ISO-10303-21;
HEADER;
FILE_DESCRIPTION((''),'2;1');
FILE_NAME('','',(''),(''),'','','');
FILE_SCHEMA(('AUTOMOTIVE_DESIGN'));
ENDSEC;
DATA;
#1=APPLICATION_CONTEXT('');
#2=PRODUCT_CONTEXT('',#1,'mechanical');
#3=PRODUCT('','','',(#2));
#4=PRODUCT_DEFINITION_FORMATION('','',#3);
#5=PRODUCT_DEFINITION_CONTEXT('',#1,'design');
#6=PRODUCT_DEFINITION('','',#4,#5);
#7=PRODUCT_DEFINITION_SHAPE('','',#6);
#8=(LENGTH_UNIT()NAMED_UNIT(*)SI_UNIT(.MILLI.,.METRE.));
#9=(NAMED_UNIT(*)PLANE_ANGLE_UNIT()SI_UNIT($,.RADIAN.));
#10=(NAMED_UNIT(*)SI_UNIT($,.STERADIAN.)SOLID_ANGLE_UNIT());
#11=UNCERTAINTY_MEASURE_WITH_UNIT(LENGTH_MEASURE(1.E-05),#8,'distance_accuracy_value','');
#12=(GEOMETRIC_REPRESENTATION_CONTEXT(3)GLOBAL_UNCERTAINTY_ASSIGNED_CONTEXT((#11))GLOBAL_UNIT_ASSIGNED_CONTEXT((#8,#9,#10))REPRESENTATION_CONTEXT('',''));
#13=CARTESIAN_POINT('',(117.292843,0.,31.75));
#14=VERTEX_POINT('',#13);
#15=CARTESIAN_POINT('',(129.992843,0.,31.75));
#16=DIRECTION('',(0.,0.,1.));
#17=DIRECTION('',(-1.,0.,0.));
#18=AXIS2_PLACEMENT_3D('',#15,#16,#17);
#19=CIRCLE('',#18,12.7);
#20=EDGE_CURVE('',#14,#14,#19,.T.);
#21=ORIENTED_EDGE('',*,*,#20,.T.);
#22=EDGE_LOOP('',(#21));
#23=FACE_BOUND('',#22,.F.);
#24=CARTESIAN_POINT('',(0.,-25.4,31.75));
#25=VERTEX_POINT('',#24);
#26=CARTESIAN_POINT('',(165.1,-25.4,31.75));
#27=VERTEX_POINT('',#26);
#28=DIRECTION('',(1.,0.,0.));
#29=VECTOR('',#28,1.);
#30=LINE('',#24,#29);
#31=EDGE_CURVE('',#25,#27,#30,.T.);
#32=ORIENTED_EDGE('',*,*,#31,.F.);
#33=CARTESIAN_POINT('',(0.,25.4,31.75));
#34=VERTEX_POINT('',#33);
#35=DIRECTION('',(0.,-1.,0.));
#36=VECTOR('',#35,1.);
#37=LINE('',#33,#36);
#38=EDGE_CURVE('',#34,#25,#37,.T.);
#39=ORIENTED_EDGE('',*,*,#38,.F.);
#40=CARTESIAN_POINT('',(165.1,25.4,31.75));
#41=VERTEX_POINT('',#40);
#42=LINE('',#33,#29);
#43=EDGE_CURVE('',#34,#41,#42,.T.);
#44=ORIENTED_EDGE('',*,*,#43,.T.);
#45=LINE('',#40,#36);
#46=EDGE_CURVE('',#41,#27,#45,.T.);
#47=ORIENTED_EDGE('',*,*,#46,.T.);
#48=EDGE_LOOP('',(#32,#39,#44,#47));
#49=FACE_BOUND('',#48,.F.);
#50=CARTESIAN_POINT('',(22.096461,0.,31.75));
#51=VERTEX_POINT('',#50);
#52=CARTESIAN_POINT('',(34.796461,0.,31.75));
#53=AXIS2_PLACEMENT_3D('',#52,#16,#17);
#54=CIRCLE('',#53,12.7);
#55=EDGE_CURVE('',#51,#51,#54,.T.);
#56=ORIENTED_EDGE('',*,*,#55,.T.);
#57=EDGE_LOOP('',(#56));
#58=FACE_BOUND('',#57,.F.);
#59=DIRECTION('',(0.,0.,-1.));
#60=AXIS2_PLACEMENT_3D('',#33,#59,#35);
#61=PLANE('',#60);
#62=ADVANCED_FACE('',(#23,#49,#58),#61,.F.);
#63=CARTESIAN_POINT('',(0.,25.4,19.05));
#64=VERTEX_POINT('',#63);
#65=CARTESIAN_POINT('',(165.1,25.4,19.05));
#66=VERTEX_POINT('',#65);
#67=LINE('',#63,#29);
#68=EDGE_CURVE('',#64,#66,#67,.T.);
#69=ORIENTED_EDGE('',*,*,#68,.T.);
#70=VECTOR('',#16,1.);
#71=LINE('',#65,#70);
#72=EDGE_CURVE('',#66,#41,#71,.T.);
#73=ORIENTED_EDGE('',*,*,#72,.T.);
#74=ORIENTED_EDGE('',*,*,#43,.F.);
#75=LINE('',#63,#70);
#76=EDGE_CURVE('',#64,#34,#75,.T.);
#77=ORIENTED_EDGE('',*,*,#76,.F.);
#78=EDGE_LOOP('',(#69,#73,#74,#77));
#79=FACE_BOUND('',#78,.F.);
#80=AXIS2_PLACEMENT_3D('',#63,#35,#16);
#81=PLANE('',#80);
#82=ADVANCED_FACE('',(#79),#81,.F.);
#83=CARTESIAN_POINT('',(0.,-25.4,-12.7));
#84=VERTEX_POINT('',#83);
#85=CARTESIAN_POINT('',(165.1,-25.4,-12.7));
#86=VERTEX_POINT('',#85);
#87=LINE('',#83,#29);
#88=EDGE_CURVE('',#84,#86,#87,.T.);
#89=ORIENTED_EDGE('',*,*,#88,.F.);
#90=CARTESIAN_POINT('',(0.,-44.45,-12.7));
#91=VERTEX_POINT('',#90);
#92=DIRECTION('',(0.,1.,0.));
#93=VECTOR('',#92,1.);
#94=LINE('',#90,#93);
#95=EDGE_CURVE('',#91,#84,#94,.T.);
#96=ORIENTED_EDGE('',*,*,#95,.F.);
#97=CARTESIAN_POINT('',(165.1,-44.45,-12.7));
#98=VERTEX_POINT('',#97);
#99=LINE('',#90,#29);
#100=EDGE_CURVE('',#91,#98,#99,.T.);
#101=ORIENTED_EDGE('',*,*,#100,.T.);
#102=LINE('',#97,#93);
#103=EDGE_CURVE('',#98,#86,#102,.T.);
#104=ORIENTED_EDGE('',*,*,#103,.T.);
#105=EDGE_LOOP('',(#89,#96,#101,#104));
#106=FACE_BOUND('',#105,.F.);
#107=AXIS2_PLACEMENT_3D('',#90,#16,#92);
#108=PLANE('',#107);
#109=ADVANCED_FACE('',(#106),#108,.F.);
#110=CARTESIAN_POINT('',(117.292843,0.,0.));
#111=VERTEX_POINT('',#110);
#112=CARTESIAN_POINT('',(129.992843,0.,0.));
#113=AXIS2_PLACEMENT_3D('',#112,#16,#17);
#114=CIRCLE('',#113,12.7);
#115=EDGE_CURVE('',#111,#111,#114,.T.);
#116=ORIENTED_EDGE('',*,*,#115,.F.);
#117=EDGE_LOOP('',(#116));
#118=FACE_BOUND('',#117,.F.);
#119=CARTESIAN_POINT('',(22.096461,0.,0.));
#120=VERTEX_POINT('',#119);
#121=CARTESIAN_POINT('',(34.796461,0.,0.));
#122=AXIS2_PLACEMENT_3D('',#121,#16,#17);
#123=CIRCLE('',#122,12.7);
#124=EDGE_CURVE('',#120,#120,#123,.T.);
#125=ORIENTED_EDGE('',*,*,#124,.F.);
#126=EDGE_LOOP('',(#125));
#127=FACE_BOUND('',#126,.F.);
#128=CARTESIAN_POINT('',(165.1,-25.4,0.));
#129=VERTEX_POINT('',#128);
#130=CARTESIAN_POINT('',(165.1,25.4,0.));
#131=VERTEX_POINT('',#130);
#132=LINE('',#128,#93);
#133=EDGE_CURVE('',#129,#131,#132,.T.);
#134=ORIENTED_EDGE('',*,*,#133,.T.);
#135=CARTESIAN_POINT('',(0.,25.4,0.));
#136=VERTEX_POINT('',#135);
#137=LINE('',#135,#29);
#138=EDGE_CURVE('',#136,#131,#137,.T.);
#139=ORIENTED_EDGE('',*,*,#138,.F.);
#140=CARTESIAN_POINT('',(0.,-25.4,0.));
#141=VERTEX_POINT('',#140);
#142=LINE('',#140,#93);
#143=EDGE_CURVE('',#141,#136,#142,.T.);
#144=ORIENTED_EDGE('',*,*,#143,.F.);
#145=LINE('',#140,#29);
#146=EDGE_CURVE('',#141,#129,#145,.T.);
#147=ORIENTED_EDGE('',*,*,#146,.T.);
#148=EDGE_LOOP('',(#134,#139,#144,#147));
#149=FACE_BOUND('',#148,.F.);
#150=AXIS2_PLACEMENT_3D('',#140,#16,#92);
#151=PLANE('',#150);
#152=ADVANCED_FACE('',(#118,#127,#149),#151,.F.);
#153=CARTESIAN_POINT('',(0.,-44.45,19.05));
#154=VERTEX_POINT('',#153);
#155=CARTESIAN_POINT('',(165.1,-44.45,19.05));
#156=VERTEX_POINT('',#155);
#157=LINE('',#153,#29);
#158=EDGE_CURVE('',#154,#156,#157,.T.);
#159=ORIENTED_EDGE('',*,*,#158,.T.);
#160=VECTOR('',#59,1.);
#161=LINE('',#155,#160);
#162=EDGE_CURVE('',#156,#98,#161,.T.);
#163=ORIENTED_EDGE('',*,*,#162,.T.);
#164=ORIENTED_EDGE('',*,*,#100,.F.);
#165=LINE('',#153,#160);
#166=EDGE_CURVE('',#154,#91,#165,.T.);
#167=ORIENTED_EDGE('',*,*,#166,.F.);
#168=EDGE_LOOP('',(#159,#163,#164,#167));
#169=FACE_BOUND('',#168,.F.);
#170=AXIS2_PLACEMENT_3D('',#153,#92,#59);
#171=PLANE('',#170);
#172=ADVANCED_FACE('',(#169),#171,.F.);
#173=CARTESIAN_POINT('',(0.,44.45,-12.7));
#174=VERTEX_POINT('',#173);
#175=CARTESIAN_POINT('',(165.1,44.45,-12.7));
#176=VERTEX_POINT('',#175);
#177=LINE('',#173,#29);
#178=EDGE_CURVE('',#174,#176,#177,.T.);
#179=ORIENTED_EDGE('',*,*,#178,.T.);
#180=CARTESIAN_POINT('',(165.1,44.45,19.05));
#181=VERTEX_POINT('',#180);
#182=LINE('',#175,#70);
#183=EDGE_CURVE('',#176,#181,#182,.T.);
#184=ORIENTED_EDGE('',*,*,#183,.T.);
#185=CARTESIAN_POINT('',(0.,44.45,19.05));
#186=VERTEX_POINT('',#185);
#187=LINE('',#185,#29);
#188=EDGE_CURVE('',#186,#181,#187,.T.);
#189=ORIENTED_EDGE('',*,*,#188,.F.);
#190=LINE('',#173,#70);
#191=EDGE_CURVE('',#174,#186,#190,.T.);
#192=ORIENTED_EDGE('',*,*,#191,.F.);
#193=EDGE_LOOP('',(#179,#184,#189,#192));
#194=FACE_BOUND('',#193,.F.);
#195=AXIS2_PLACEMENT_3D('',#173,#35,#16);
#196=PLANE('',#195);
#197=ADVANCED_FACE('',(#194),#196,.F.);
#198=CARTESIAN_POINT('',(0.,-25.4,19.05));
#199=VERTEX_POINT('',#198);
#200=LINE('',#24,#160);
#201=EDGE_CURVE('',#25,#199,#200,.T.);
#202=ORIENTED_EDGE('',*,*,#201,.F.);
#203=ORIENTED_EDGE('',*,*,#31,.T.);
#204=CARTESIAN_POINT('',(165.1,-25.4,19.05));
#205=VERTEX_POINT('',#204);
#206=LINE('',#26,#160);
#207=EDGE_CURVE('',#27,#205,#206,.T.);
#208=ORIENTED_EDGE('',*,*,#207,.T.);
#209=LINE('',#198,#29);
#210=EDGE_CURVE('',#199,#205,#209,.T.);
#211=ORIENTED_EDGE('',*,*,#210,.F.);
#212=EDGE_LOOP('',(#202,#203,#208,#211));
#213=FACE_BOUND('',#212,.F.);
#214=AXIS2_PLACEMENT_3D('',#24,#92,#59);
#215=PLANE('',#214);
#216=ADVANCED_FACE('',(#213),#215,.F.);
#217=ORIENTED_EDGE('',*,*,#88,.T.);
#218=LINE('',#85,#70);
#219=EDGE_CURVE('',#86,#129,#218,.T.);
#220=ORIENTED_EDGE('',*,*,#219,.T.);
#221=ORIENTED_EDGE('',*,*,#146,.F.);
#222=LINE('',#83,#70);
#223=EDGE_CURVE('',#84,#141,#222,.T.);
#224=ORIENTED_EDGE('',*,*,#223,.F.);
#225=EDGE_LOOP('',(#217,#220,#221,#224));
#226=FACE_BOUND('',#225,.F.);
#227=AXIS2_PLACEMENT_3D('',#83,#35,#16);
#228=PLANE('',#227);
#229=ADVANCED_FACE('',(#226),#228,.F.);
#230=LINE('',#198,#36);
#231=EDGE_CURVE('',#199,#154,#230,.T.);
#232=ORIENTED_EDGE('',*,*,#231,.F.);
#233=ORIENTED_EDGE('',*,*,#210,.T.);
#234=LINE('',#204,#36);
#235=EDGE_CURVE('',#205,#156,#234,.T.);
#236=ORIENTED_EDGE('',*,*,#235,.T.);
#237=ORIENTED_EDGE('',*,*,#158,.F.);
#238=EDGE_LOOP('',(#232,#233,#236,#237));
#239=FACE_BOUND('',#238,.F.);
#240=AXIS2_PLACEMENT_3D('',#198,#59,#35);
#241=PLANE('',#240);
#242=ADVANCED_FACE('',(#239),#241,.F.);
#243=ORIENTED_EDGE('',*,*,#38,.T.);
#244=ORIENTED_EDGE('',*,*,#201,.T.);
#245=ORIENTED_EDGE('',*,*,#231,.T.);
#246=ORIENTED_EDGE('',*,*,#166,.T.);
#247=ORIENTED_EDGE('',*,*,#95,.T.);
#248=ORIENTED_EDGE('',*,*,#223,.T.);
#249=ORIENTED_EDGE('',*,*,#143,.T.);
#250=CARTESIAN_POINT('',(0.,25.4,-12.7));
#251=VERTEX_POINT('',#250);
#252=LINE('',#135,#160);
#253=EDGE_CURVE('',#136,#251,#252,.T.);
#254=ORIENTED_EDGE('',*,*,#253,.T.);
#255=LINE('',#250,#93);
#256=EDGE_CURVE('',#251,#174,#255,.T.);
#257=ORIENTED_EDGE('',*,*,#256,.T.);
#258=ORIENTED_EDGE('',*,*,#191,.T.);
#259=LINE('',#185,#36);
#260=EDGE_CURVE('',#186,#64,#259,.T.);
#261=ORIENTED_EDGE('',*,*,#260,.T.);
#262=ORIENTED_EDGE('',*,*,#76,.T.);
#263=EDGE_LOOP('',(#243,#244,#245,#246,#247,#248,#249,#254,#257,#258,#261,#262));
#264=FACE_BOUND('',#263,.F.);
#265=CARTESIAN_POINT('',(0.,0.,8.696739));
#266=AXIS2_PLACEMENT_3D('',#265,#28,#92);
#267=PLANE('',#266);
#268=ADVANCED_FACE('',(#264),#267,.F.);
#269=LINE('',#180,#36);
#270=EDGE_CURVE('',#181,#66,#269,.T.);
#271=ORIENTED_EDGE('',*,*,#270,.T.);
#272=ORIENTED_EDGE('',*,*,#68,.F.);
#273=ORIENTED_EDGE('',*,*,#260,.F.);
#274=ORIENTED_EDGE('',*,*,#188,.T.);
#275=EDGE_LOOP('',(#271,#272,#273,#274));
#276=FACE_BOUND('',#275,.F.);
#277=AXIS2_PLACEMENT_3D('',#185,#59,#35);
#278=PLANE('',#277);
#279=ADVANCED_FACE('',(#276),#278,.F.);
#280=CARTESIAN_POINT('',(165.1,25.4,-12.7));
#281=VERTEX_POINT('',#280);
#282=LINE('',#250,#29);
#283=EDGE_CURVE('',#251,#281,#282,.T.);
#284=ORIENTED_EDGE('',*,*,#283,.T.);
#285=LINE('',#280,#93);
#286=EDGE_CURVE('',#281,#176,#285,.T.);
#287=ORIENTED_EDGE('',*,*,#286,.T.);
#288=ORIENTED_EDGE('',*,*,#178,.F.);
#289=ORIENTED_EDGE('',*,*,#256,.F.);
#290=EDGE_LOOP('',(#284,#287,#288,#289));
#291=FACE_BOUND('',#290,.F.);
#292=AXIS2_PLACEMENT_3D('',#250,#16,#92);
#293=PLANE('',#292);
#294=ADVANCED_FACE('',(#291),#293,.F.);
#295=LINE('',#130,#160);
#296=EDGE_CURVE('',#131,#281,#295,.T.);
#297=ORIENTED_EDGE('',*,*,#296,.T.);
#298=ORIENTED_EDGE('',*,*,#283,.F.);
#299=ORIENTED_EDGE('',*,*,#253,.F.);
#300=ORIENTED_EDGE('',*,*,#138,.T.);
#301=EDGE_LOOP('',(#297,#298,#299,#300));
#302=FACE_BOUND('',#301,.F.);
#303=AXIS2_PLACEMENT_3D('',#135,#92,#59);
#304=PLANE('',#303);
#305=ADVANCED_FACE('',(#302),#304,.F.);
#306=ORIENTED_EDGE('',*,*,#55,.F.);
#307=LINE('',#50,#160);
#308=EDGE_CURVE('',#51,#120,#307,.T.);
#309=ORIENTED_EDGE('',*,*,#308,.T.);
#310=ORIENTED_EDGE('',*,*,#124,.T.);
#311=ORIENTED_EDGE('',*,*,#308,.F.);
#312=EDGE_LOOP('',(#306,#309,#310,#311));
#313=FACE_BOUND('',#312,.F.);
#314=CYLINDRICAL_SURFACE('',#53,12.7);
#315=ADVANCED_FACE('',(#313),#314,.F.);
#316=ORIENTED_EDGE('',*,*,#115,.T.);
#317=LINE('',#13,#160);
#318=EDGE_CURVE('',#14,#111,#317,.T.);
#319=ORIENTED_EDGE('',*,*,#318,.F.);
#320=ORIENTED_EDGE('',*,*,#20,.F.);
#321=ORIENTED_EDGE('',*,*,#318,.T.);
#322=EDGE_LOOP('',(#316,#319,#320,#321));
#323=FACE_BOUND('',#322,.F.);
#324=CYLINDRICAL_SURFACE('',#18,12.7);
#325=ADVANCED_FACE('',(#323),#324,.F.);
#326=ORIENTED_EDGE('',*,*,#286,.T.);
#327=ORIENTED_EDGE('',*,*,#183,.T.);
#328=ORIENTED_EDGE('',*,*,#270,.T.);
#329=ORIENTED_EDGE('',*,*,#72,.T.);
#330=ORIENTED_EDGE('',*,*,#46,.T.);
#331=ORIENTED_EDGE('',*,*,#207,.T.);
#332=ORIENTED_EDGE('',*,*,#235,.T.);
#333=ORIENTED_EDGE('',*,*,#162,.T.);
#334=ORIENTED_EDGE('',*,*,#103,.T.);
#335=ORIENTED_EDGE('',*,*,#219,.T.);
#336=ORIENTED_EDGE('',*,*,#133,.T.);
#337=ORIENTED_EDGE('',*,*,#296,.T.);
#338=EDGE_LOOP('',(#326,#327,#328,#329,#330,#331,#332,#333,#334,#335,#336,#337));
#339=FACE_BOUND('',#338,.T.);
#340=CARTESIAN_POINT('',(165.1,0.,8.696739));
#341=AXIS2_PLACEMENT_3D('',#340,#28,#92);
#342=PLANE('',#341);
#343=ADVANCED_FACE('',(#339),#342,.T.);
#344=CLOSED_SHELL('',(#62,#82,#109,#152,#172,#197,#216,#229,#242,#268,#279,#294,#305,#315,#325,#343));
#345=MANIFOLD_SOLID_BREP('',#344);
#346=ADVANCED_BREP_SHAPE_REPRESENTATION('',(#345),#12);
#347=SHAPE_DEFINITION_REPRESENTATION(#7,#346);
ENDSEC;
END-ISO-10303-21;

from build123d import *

# Parameters (mm, degrees)
F1_DEPTH = 165.1
F4_DEPTH = 44.451


with BuildPart() as f1:
    # F0 (on Right) → F1 (new body)
    with BuildSketch(Plane.YZ):
        Polygon((-25.4, 0), (0, 0), (25.4, 0), (25.4, -12.7), (44.45, -12.7), (44.45, 19.05), (25.4, 19.05), (25.4, 31.75), (-25.4, 31.75), (-25.4, 19.05), (-44.45, 19.05), (-44.45, -12.7), (-25.4, -12.7), align=None)
    extrude(amount=F1_DEPTH)

    # F3 (on face) → F4 (cut, through all)
    with BuildSketch(Plane.XY.offset(31.75)):
        with BuildLine():
            Line((34.925, 0), (47.496461463, 0))
            ThreePointArc((47.496461463, 0), (34.796461463, 12.7), (22.096461463, 0))
            Line((22.096461463, 0), (34.925, 0))
        make_face()
        with BuildLine():
            ThreePointArc((22.096461463, 0), (34.796461463, -12.7), (47.496461463, 0))
            Line((47.496461463, 0), (34.925, 0))
            Line((34.925, 0), (22.096461463, 0))
        make_face()
        with BuildLine():
            ThreePointArc((142.6928426743, 0), (129.9928426743, 12.7), (117.2928426743, 0))
            ThreePointArc((117.2928426743, 0), (129.9928426743, -12.7), (142.6928426743, 0))
        make_face()
    extrude(amount=-F4_DEPTH, mode=Mode.SUBTRACT)


solid = f1.part
